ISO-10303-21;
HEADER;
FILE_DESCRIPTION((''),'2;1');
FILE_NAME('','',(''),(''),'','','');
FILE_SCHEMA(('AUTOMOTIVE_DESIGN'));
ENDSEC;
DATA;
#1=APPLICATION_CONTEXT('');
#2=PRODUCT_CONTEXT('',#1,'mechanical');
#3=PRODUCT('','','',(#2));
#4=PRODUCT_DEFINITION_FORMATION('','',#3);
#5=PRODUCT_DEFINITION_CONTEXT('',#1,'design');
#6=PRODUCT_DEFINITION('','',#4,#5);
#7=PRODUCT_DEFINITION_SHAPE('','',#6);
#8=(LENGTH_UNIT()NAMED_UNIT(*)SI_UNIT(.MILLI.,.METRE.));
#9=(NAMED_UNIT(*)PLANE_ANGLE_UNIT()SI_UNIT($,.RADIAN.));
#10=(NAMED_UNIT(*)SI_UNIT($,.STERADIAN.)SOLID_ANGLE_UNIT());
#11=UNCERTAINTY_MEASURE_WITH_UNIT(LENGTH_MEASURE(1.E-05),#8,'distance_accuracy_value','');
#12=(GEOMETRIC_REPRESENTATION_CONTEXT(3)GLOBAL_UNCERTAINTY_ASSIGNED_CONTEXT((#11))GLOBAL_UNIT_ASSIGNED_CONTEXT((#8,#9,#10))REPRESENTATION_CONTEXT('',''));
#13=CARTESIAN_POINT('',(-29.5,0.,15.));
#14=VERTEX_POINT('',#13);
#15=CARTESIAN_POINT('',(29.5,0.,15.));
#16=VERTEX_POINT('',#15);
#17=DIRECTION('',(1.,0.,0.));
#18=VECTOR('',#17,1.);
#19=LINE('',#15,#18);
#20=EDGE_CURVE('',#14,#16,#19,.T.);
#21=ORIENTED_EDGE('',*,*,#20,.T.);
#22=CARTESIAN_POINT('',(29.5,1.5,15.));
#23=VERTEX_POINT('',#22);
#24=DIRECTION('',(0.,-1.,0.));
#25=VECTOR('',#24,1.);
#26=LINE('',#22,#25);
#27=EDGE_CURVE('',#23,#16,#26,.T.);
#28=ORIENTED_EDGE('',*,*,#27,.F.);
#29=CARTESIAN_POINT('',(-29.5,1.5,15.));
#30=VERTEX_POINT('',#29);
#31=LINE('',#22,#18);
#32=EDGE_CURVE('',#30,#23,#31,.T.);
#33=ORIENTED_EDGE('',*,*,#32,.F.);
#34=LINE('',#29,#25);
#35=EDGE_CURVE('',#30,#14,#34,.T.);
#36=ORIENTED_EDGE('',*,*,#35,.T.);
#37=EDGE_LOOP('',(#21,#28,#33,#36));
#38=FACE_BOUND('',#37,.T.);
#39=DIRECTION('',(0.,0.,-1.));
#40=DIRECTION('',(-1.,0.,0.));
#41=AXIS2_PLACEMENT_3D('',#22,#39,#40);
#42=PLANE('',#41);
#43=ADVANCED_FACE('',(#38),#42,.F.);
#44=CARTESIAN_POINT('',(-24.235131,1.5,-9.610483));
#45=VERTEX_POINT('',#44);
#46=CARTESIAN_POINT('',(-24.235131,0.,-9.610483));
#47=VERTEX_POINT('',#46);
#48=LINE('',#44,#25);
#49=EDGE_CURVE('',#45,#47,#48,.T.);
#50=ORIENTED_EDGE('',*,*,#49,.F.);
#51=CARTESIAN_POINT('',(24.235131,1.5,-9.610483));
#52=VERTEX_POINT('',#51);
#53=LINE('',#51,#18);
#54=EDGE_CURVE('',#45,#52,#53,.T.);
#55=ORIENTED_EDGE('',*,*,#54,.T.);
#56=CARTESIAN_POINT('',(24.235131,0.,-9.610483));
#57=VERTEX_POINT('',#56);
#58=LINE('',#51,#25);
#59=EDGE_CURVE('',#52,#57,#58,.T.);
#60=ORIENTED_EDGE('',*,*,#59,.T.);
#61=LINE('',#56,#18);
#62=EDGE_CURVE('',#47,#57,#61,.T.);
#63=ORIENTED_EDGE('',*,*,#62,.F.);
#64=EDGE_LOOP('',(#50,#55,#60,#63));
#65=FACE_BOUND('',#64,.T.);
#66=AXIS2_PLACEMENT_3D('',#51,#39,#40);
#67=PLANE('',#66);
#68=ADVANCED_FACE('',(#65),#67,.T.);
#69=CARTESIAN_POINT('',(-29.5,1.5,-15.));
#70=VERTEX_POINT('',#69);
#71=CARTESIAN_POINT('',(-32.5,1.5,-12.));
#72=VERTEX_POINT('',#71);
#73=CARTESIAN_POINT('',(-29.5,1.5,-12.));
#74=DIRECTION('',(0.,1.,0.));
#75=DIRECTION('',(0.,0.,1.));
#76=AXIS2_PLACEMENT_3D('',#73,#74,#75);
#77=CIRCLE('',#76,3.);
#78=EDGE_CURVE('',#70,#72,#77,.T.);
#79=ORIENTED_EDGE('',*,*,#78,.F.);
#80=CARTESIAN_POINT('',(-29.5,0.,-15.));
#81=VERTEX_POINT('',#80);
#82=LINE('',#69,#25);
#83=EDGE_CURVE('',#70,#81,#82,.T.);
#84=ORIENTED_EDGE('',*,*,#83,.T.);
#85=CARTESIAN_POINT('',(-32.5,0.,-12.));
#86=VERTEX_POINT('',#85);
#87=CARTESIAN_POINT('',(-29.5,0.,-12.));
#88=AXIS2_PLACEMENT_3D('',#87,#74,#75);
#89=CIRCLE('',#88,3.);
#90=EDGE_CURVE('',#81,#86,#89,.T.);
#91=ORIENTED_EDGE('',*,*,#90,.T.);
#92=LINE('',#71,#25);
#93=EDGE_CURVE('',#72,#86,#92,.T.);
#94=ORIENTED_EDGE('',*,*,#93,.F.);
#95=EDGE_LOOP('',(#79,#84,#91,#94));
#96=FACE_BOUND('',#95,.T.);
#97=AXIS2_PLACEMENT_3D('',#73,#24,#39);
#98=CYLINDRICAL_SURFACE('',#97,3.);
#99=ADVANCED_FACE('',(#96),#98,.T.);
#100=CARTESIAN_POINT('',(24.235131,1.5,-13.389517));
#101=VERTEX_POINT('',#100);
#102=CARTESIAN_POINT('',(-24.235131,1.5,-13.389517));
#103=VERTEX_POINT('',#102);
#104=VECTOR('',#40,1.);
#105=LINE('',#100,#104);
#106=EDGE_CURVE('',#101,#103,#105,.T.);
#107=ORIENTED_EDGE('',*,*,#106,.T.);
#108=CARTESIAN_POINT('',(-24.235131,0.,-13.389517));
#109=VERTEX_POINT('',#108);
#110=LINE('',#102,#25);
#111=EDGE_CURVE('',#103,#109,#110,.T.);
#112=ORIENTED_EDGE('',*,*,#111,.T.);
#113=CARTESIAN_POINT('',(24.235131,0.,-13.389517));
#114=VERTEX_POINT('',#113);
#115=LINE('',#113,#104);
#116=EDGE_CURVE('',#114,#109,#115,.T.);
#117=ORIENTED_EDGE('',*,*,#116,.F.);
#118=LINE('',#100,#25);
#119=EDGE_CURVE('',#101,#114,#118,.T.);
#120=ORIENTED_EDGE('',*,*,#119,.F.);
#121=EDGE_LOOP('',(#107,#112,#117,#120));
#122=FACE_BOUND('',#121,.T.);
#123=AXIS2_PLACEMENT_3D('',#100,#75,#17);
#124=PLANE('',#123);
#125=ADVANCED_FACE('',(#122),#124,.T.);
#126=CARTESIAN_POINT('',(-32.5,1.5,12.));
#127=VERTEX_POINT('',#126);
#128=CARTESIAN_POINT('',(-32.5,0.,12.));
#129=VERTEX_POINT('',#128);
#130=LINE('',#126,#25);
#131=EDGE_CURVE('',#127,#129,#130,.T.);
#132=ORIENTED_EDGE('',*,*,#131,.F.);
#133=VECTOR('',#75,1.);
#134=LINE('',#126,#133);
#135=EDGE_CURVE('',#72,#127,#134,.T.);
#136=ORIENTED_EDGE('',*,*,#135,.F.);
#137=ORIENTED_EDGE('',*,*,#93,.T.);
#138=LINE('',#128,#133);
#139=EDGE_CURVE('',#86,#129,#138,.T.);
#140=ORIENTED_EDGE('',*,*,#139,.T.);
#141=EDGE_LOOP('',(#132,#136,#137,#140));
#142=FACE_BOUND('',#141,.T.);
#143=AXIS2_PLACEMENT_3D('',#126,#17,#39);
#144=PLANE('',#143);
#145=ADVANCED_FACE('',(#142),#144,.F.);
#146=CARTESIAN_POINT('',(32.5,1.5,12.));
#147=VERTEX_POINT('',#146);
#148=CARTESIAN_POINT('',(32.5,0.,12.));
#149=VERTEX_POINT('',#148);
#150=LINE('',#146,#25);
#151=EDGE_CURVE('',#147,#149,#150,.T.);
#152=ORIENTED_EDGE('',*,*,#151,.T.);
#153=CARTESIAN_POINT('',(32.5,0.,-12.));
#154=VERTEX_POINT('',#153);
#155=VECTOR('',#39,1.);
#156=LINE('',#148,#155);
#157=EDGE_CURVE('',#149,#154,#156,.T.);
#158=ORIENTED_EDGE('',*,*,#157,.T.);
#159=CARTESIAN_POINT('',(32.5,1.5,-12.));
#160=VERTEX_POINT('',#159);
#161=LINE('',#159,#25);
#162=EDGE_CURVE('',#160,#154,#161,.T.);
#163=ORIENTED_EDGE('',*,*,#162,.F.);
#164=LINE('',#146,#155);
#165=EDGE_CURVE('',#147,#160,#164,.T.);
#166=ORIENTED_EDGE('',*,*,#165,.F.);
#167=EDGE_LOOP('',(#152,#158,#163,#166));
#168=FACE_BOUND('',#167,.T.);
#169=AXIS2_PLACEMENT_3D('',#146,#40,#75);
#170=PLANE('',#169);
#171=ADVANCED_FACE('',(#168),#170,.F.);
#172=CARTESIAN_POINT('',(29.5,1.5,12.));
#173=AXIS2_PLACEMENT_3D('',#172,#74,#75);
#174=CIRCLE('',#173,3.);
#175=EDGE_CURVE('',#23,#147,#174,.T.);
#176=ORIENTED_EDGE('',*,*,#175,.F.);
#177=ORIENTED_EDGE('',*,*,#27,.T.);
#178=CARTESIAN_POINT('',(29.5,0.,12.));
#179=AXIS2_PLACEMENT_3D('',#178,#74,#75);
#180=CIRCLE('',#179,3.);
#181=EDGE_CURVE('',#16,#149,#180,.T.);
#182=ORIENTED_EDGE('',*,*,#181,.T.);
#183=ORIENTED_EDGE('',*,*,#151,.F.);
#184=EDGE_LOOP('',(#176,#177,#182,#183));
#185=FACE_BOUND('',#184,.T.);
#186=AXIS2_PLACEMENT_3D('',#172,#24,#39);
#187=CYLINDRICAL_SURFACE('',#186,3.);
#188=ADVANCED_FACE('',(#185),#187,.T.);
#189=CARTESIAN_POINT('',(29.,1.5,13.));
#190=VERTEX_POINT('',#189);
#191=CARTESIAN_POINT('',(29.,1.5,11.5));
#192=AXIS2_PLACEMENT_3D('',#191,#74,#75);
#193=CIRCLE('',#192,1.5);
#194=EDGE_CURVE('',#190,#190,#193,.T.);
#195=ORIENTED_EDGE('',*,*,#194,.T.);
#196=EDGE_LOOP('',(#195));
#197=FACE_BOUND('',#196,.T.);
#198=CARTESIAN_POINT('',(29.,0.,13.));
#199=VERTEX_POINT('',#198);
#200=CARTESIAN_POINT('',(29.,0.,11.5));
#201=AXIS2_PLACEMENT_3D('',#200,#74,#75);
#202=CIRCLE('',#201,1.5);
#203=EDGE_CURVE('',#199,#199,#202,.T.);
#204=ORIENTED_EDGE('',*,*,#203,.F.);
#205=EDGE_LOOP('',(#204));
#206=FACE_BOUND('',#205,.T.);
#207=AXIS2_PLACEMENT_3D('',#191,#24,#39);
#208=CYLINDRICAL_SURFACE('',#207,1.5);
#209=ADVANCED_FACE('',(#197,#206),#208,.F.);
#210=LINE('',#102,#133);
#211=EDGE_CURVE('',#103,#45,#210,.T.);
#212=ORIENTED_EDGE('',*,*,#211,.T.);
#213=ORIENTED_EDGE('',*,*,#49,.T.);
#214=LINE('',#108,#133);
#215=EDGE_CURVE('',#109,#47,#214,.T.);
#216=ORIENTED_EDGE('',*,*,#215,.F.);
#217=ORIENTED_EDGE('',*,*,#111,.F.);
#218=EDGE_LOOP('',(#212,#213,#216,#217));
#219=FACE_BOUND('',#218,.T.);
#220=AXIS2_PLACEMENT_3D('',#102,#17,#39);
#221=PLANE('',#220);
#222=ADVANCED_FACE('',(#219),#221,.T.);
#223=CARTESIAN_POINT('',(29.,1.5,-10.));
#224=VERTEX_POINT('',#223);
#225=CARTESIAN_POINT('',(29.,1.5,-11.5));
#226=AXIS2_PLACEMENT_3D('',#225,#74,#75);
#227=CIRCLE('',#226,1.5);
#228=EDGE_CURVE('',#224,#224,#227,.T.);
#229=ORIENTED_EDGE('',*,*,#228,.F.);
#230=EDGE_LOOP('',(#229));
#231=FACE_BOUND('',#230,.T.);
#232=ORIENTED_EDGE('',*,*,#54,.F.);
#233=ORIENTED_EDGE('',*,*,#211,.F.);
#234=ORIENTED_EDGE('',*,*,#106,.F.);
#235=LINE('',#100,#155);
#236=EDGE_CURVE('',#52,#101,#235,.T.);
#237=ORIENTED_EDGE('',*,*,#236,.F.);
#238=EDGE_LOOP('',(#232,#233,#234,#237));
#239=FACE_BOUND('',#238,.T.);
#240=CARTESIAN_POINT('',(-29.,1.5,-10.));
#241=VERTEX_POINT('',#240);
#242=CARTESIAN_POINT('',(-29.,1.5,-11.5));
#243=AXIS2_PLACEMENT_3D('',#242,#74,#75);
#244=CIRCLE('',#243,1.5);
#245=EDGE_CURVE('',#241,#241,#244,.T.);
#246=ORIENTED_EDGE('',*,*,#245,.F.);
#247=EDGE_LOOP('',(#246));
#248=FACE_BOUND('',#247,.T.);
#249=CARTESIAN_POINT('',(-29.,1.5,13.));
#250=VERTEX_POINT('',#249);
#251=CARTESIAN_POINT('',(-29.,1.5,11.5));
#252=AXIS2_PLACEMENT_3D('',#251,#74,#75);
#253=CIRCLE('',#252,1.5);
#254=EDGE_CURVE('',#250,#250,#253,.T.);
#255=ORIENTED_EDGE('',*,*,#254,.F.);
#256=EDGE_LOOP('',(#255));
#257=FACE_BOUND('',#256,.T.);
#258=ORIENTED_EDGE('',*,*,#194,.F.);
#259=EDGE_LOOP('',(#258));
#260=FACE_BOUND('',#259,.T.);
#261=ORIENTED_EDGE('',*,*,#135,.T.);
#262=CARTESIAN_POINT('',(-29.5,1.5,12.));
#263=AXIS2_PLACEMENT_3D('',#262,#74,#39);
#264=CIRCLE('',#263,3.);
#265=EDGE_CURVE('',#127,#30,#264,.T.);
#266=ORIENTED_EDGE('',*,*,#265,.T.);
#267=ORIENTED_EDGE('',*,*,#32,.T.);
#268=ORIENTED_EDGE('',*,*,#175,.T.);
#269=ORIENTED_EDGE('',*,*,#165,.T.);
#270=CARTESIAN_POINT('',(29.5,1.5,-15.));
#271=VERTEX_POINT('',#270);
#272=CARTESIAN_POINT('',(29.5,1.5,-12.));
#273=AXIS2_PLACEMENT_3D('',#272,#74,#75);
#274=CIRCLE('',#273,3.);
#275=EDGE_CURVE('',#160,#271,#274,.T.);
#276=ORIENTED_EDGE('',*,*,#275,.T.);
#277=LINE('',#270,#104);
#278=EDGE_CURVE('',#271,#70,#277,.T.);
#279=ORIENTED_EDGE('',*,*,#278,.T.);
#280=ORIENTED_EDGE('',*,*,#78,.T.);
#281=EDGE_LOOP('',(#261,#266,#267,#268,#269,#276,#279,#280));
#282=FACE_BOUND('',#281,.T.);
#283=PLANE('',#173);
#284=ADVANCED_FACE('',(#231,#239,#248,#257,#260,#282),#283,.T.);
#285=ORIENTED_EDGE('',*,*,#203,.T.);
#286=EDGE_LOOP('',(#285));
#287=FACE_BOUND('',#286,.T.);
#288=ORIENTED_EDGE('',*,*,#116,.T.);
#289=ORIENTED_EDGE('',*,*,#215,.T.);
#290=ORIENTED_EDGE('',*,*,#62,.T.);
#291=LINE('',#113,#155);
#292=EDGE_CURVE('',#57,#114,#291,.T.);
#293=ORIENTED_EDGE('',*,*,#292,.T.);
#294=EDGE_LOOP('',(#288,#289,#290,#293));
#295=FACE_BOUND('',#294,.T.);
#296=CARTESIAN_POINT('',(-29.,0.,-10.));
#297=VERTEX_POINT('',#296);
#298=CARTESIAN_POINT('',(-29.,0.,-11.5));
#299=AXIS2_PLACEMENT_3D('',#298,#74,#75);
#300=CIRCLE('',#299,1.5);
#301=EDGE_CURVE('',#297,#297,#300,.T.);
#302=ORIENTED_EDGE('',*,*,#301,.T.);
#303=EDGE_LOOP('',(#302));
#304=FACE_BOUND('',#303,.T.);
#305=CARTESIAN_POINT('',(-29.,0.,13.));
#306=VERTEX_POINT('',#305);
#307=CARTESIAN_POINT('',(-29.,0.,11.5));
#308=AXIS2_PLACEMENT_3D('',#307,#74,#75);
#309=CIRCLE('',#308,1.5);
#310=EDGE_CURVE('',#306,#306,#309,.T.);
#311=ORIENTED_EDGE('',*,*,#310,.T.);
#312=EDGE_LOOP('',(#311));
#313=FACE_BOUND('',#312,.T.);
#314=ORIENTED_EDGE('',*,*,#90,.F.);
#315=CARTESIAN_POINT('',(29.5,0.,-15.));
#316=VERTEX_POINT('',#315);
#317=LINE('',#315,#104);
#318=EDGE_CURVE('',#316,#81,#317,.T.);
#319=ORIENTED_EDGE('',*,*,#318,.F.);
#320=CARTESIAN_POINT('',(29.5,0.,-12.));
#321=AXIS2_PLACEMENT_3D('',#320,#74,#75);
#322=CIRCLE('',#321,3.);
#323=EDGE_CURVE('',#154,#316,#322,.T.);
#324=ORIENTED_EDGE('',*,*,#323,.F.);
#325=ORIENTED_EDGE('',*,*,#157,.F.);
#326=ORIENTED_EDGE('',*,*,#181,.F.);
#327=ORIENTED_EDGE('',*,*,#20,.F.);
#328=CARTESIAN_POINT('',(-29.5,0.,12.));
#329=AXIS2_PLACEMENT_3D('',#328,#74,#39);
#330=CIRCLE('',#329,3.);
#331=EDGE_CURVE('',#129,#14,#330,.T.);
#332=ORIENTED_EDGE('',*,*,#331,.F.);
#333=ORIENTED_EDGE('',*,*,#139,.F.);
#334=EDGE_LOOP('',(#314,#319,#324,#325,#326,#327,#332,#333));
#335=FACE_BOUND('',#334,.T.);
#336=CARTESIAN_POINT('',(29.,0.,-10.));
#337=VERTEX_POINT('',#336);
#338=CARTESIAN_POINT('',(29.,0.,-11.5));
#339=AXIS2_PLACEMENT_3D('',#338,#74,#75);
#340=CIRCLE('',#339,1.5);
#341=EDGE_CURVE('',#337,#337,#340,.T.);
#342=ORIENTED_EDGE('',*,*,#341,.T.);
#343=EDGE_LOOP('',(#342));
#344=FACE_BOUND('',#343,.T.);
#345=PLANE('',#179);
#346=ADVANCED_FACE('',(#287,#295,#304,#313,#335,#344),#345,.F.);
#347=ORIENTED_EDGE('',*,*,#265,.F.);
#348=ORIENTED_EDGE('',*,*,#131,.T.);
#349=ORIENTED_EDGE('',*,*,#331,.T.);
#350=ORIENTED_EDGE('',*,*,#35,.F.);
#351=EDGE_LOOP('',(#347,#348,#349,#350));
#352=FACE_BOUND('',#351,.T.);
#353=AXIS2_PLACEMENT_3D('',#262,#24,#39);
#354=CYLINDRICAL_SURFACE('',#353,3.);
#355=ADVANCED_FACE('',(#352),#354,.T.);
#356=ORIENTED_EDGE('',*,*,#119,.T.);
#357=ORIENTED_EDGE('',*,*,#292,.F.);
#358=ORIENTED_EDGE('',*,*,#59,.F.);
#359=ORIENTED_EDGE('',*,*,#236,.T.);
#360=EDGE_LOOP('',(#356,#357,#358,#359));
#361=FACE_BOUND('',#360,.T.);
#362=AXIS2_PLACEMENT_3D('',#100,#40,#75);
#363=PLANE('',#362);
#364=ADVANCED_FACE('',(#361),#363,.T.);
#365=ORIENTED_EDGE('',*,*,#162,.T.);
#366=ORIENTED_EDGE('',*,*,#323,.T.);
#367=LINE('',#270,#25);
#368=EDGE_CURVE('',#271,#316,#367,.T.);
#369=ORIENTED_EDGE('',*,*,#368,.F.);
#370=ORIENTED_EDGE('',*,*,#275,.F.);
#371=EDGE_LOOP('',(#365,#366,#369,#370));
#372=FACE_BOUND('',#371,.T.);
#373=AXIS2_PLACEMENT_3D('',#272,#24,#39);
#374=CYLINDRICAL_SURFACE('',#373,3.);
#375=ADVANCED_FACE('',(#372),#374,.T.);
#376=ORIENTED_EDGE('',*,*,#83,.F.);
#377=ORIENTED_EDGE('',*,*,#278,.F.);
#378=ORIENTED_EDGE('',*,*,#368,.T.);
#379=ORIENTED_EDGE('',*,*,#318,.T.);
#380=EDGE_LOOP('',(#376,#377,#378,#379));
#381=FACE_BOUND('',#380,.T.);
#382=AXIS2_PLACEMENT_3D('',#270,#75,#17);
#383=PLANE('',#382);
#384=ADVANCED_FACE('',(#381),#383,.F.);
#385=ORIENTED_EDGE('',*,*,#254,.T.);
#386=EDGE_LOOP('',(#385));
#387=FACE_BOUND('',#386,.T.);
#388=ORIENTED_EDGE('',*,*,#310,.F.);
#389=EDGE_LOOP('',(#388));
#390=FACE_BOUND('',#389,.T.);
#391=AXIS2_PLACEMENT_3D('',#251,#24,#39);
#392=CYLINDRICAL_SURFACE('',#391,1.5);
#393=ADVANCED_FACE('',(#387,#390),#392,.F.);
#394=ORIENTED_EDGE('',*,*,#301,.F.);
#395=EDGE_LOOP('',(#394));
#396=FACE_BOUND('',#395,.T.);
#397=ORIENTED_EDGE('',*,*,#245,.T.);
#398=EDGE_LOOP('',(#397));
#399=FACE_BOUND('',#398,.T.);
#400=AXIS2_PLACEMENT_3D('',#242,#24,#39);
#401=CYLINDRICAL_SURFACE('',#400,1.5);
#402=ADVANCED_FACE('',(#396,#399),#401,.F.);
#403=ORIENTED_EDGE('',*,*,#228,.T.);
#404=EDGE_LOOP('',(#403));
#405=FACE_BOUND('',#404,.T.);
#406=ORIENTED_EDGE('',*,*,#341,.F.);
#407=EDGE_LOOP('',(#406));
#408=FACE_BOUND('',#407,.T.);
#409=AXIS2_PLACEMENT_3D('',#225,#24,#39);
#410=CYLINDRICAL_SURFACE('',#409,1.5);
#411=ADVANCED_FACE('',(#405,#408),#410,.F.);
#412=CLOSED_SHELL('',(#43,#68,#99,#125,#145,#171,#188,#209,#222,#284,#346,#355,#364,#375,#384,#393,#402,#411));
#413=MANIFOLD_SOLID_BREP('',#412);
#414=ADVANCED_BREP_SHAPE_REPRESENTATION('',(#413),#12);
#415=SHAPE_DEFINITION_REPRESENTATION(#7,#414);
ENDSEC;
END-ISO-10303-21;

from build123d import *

# Parameters (mm, degrees)
SKETCH1_R           = 1.5
SKETCH1_W           = 48.470262398
SKETCH1_H           = 3.779033876
BOSS_EXTRUDE1_DEPTH = 1.5


with BuildPart() as part:
    # Sketch1 → Boss-Extrude1 (new body)
    with BuildSketch(Plane(origin=(0, 0, 0), x_dir=(1, 0, 0), z_dir=(0, 1, 0))):
        with BuildLine():
            Line((29.5, -15), (-29.5, -15))
            ThreePointArc((-29.5, -15), (-31.621320344, -14.121320344), (-32.5, -12))
            Line((-32.5, -12), (-32.5, 12))
            ThreePointArc((-32.5, 12), (-31.621320344, 14.121320344), (-29.5, 15))
            Line((-29.5, 15), (29.5, 15))
            ThreePointArc((29.5, 15), (31.621320344, 14.121320344), (32.5, 12))
            Line((32.5, 12), (32.5, -12))
            ThreePointArc((32.5, -12), (31.621320344, -14.121320344), (29.5, -15))
        make_face()
        with Locations(Location((-29, 11.5, 0), (0, 0, 270))):
            Circle(SKETCH1_R, mode=Mode.SUBTRACT)
        with Locations(Location((29, 11.5, 0), (0, 0, 270))):
            Circle(SKETCH1_R, mode=Mode.SUBTRACT)
        with Locations(Location((29, -11.5, 0), (0, 0, 270))):
            Circle(SKETCH1_R, mode=Mode.SUBTRACT)
        with Locations(Location((-29, -11.5, 0), (0, 0, 270))):
            Circle(SKETCH1_R, mode=Mode.SUBTRACT)
        with Locations((0, 11.5)):
            Rectangle(SKETCH1_W, SKETCH1_H, mode=Mode.SUBTRACT)
    extrude(amount=BOSS_EXTRUDE1_DEPTH)


solid = part.part
